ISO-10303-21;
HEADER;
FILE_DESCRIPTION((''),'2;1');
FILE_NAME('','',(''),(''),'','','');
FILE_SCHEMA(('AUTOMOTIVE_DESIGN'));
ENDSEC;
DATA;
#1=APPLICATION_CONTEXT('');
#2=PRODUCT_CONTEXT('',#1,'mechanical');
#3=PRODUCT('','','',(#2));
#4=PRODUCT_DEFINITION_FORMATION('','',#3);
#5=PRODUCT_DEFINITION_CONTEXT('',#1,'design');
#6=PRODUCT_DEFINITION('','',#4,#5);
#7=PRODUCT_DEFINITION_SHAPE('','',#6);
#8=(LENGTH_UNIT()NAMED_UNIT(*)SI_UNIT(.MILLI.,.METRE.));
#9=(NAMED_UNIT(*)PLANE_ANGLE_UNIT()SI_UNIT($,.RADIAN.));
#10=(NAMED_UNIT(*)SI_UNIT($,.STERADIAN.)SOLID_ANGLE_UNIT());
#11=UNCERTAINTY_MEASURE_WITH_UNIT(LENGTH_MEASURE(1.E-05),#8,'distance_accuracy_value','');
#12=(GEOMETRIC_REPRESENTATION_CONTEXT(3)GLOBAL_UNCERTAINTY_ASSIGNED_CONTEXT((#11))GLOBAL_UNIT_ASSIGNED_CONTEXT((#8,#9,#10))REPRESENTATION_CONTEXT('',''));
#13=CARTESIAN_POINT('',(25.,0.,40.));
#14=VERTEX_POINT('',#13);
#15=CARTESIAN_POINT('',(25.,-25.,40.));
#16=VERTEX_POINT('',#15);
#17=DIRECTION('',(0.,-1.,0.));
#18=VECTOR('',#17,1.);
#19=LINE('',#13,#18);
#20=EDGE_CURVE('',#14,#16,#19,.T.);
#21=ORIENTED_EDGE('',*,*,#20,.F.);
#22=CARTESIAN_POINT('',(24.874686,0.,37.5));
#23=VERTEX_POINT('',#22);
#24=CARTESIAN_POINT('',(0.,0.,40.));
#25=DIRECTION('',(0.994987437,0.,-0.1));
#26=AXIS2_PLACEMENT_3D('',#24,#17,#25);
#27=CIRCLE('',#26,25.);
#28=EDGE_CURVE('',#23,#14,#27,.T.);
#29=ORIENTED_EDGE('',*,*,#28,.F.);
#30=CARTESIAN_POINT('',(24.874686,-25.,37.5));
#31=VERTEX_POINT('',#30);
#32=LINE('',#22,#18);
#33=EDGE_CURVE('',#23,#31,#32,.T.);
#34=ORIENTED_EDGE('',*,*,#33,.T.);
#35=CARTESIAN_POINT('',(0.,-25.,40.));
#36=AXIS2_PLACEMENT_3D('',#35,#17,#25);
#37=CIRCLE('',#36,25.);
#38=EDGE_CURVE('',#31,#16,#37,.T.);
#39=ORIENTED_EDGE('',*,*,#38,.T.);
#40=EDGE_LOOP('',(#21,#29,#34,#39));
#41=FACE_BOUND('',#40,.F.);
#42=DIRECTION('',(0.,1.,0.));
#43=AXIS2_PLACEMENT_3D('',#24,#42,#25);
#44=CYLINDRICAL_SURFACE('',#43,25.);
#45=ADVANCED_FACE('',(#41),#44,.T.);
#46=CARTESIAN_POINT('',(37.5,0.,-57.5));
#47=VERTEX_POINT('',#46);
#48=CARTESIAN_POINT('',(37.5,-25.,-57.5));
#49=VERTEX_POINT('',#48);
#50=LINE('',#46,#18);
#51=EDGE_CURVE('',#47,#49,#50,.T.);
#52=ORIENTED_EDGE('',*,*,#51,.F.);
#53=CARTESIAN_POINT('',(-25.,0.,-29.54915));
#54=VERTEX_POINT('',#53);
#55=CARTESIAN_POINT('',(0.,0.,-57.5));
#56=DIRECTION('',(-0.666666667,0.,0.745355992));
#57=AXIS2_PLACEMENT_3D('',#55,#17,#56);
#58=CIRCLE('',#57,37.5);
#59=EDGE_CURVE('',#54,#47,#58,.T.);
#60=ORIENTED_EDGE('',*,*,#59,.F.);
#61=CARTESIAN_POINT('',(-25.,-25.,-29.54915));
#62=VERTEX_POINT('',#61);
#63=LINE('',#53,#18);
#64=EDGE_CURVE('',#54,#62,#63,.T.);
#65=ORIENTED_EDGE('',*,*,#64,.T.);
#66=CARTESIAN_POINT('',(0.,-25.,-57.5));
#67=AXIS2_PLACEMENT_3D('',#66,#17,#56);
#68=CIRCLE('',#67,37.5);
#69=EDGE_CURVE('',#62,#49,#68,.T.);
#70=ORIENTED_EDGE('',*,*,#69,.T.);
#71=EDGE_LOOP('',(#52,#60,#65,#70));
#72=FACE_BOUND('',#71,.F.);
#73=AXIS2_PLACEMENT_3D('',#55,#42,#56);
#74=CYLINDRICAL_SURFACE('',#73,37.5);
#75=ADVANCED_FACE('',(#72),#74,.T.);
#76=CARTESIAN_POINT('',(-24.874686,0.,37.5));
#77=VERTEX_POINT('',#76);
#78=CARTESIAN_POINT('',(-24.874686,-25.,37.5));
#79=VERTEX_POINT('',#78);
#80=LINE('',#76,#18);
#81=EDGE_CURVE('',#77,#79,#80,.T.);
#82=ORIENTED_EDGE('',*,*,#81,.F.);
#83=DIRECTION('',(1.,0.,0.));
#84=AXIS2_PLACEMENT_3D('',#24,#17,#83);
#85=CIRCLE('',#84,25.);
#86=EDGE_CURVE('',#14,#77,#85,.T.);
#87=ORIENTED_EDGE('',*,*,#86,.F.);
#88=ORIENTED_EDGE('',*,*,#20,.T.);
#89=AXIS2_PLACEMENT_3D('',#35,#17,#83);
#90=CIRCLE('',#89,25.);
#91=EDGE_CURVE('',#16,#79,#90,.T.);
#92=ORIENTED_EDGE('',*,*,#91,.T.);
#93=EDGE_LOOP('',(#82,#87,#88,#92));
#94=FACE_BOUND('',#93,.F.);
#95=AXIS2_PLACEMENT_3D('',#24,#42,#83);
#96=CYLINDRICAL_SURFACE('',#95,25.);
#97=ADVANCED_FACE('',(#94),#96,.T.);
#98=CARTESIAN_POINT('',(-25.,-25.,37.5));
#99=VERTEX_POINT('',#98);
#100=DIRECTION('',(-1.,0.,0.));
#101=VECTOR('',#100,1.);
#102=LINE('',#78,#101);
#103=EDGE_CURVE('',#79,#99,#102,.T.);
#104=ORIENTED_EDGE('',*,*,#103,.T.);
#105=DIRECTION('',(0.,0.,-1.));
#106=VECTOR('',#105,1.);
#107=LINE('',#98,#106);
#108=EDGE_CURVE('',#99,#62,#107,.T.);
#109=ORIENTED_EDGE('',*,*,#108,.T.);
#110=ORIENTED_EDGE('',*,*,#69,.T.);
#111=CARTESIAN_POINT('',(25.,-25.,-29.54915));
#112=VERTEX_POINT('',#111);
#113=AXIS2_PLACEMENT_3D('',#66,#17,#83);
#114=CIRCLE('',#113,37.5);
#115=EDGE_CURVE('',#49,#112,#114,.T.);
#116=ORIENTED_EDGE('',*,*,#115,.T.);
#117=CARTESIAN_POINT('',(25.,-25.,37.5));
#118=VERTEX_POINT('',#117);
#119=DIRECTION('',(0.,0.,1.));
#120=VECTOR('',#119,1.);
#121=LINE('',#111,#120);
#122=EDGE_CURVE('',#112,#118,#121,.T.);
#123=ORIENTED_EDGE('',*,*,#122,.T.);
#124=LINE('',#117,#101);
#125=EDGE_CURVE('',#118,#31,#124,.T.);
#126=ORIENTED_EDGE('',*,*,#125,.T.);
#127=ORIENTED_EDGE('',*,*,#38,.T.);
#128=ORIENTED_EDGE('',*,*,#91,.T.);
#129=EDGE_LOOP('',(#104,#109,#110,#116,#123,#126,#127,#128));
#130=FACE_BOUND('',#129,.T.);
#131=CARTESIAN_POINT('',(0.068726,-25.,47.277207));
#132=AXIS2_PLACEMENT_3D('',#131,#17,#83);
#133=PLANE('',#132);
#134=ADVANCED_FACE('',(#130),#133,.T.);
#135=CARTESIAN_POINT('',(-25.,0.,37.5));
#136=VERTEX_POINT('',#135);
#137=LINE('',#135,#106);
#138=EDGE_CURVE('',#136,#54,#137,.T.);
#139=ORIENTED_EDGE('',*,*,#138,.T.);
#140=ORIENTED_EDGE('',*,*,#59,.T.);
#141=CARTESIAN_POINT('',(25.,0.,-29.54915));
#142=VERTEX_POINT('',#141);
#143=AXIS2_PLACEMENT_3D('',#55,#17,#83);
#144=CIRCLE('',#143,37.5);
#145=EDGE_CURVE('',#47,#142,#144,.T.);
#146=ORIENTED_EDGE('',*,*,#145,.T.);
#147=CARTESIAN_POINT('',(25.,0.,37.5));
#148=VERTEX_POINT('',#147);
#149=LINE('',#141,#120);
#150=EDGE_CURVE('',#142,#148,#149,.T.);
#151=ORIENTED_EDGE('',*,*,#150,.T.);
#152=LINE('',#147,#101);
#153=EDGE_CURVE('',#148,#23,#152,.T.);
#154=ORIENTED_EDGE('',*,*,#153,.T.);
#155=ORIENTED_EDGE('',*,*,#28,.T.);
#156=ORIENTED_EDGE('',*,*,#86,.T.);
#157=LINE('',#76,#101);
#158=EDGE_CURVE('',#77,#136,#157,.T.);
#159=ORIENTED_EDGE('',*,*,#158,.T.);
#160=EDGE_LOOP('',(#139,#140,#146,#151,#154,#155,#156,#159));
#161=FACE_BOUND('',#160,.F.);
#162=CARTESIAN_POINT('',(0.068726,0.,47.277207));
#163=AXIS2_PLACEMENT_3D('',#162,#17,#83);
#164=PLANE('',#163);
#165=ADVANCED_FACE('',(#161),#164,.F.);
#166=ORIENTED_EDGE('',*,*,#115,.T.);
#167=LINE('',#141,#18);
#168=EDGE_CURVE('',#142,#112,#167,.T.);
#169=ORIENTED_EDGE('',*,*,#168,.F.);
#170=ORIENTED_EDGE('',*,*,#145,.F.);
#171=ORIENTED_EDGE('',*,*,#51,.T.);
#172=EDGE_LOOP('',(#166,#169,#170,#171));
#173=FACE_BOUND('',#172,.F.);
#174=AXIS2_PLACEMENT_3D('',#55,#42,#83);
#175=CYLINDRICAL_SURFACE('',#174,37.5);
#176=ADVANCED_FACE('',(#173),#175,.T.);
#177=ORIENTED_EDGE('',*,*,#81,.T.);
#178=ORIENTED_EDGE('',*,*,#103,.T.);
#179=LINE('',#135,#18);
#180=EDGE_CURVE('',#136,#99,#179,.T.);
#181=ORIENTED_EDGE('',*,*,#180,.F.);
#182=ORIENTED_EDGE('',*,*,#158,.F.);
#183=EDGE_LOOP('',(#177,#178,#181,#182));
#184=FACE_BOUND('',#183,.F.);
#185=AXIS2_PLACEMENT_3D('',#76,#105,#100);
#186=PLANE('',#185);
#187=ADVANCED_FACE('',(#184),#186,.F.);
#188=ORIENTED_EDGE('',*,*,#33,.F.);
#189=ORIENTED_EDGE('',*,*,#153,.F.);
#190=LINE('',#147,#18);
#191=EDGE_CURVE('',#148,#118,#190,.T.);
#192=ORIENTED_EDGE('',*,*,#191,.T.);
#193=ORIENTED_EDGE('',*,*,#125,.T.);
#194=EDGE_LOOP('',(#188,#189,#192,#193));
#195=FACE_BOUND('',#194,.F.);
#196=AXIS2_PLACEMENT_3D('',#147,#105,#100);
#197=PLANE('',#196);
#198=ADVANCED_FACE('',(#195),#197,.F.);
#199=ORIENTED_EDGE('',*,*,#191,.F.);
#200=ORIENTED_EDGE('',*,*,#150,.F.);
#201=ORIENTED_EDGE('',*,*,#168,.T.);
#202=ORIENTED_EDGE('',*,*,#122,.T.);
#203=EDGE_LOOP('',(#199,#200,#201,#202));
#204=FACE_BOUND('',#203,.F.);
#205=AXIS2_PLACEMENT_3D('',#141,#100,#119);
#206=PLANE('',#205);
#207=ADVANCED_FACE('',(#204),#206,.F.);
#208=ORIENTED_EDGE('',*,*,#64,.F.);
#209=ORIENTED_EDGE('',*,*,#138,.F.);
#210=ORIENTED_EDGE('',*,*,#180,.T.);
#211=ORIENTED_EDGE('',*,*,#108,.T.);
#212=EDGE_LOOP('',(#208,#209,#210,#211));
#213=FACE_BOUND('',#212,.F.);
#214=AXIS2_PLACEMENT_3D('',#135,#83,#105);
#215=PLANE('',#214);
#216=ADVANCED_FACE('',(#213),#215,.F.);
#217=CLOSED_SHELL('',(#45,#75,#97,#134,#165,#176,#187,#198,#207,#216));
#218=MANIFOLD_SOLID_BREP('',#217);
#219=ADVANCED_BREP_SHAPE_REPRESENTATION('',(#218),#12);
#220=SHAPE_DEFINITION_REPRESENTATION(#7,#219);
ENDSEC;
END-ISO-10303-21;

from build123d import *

# Parameters (mm, degrees)
F1_DEPTH = 25


with BuildPart() as f1:
    # F0 (on Front) → F1 (new body)
    with BuildSketch(Plane.XZ):
        with BuildLine():
            ThreePointArc((24.8746859277, 37.5), (24.9686518278, 38.7484306235), (25, 40))
            ThreePointArc((25, 40), (-1.2515693765, 64.9686518278), (-24.8746859277, 37.5))
            Line((-24.8746859277, 37.5), (24.8746859277, 37.5))
        make_face()
        with BuildLine():
            Line((24.8746859277, 37.5), (-24.8746859277, 37.5))
            ThreePointArc((-24.8746859277, 37.5), (0, 15), (24.8746859277, 37.5))
        make_face()
        with BuildLine():
            ThreePointArc((24.8746859277, 37.5), (0, 15), (-24.8746859277, 37.5))
            Line((-24.8746859277, 37.5), (-25, 37.5))
            Line((-25, 37.5), (-25, -29.5491502813))
            ThreePointArc((-25, -29.5491502813), (0, -20), (25, -29.5491502813))
            Line((25, -29.5491502813), (25, 37.5))
            Line((25, 37.5), (24.8746859277, 37.5))
        make_face()
        with BuildLine():
            Line((-25, -37.5), (-25, -29.5491502813))
            ThreePointArc((-25, -29.5491502813), (-15.3093108924, -91.7326598441), (37.5, -57.5))
            ThreePointArc((37.5, -57.5), (34.2326598441, -42.1906891076), (25, -29.5491502813))
            Line((25, -29.5491502813), (25, -37.5))
            Line((25, -37.5), (-25, -37.5))
        make_face()
        with BuildLine():
            ThreePointArc((25, -29.5491502813), (0, -20), (-25, -29.5491502813))
            Line((-25, -29.5491502813), (-25, -37.5))
            Line((-25, -37.5), (25, -37.5))
            Line((25, -37.5), (25, -29.5491502813))
        make_face()
    extrude(amount=F1_DEPTH)


solid = f1.part
